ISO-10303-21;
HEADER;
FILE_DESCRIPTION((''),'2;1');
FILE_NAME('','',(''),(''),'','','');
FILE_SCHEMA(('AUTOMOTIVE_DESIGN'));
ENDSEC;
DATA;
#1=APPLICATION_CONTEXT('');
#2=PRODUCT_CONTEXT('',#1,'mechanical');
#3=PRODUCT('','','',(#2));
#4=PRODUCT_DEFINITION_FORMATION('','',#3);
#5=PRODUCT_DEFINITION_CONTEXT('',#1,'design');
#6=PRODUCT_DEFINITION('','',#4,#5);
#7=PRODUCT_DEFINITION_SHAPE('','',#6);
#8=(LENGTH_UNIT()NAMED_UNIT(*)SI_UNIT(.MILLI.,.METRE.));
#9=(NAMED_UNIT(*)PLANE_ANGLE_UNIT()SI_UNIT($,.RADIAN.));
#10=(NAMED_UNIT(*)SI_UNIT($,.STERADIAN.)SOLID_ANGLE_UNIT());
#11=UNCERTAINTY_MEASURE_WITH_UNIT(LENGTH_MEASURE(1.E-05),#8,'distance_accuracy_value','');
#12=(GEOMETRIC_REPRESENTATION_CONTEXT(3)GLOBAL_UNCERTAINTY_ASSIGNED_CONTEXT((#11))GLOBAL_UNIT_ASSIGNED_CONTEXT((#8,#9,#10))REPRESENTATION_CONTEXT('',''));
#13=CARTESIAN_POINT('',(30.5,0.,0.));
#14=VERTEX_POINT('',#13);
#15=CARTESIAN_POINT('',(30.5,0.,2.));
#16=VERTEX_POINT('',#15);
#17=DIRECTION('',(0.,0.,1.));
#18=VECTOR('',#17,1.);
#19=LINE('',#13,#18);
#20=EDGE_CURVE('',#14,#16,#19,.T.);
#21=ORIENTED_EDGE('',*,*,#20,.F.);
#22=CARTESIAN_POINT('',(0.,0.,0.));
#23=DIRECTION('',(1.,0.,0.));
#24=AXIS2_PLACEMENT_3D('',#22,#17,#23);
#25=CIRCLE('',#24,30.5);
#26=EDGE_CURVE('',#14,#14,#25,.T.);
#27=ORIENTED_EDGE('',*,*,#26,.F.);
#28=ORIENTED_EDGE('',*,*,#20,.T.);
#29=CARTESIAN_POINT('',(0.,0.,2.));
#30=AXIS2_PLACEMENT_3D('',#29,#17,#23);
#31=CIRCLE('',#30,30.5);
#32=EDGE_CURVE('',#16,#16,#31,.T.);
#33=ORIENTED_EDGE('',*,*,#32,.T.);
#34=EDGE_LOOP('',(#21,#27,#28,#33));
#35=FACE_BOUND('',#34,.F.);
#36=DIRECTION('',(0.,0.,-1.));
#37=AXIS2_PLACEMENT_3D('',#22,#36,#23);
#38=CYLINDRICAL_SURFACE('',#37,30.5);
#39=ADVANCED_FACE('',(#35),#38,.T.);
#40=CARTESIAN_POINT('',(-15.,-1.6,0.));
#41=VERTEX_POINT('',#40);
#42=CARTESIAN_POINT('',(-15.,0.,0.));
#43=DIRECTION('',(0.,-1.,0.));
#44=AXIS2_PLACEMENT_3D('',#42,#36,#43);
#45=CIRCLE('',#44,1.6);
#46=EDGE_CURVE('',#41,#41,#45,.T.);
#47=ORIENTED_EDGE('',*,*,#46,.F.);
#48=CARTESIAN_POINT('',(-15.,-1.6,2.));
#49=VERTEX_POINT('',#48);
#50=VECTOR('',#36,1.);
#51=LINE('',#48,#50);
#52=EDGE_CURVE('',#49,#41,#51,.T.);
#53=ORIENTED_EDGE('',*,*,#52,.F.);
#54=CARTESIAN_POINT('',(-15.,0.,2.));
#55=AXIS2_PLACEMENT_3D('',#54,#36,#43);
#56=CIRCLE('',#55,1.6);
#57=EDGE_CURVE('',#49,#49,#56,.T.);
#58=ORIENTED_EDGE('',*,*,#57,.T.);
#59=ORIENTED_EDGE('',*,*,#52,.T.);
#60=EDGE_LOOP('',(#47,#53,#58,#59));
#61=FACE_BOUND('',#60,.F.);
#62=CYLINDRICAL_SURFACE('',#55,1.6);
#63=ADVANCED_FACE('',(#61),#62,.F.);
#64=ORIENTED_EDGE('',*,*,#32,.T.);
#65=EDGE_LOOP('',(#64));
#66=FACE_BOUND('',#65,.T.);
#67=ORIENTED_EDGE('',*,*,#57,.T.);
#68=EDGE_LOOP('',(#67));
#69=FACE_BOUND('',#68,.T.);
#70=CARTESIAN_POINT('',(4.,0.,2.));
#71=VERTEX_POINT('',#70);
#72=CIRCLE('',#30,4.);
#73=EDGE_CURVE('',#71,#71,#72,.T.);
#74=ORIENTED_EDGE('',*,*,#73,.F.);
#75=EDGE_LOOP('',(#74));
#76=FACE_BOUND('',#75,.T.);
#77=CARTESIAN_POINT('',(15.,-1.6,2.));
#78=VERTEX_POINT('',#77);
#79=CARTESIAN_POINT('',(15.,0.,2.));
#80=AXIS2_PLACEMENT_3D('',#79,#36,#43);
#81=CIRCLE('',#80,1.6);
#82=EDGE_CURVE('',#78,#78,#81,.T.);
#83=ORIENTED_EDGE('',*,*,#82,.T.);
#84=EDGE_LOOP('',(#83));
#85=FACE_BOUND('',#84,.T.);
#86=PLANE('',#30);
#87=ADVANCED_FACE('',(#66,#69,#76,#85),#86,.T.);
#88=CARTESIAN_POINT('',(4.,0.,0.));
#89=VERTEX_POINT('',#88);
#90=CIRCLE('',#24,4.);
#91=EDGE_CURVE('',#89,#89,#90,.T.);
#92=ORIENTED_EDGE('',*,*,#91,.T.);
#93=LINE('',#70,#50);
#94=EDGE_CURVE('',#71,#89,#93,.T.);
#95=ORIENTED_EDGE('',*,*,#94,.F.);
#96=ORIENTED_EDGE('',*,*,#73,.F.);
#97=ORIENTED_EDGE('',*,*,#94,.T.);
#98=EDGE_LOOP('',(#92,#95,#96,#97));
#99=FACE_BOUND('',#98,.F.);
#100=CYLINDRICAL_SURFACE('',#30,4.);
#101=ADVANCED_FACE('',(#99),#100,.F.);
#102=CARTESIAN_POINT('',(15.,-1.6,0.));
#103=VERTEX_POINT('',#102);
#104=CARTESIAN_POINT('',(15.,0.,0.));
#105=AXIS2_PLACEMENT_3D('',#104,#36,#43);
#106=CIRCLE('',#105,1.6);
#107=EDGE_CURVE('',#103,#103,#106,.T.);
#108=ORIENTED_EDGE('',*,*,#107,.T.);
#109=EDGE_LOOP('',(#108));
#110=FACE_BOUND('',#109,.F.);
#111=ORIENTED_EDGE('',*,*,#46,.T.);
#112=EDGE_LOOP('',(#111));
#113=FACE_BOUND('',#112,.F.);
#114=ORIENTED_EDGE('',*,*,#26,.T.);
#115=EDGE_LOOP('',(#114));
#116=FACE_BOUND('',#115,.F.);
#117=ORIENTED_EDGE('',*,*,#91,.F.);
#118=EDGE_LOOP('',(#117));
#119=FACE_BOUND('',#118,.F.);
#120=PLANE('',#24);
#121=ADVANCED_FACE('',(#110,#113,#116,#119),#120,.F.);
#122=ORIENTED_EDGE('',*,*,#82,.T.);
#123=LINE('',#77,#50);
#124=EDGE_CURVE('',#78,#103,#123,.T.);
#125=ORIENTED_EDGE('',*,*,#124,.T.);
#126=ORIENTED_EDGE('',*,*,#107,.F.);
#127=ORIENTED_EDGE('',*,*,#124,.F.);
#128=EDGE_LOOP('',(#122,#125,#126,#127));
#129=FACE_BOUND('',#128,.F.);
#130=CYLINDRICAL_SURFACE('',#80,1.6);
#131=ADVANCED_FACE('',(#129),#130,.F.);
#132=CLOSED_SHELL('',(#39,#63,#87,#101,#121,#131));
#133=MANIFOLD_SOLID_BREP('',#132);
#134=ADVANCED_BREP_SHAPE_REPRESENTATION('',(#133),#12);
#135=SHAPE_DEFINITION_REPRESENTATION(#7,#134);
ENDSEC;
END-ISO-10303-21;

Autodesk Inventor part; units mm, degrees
ref_plane "YZ Plane" through (0, 0, 0) normal (1, 0, 0) x (0, 1, 0)
ref_plane "XZ Plane" through (0, 0, 0) normal (0, 1, 0) x (-1, 0, 0)
ref_plane "XY Plane" through (0, 0, 0) normal (0, 0, 1) x (1, 0, 0)
sketch "スケッチ1" plane through (0, 0, 0) normal (0, 0, 1) x (1, 0, 0)
  circle A0 centre (0, 0) radius 30.5
  dimension "d0" = 61
extrude "押し出し1" add sketch "スケッチ1" along normal blind 2
sketch "スケッチ2" plane through (0, 0, 2) normal (0, 0, 1) x (1, 0, 0)
  circle A0 centre (0, 0) radius 4
  dimension "d3" = 8
extrude "押し出し2" cut sketch "スケッチ2" against normal blind 2
sketch "スケッチ3" plane through (0, 0, 2) normal (0, 0, 1) x (1, 0, 0)
  circle A0 centre (-15, 0) radius 1.6
  circle A1 centre (15, 0) radius 1.6
  point P0 (0, 0)
  dimension "d6" = 3.2
  dimension "d7" = 3.2
  dimension "d8" = 15
  dimension "d9" = 15
hole "穴1" at (-15, 0, 2) at (15, 0, 2) direction (0, 0, -1) diameter 3.2 depth 2
equation "\"BendRadius\" = Thickness"
equation "\"BendReliefWidth\" = Thickness"
equation "\"BendReliefDepth\" = 0.5 * Thickness"
equation "\"CornerReliefSize\" = 4 * Thickness"
equation "\"MinimumRemnant\" = 2 * Thickness"
equation "\"TransitionRadius\" = BendRadius"
equation "\"JacobiRadiusSize\" = BendRadius"
equation "\"GapSize\" = Thickness"
equation "\"Thickness\" = 0.5"
properties part number "nhk36"
